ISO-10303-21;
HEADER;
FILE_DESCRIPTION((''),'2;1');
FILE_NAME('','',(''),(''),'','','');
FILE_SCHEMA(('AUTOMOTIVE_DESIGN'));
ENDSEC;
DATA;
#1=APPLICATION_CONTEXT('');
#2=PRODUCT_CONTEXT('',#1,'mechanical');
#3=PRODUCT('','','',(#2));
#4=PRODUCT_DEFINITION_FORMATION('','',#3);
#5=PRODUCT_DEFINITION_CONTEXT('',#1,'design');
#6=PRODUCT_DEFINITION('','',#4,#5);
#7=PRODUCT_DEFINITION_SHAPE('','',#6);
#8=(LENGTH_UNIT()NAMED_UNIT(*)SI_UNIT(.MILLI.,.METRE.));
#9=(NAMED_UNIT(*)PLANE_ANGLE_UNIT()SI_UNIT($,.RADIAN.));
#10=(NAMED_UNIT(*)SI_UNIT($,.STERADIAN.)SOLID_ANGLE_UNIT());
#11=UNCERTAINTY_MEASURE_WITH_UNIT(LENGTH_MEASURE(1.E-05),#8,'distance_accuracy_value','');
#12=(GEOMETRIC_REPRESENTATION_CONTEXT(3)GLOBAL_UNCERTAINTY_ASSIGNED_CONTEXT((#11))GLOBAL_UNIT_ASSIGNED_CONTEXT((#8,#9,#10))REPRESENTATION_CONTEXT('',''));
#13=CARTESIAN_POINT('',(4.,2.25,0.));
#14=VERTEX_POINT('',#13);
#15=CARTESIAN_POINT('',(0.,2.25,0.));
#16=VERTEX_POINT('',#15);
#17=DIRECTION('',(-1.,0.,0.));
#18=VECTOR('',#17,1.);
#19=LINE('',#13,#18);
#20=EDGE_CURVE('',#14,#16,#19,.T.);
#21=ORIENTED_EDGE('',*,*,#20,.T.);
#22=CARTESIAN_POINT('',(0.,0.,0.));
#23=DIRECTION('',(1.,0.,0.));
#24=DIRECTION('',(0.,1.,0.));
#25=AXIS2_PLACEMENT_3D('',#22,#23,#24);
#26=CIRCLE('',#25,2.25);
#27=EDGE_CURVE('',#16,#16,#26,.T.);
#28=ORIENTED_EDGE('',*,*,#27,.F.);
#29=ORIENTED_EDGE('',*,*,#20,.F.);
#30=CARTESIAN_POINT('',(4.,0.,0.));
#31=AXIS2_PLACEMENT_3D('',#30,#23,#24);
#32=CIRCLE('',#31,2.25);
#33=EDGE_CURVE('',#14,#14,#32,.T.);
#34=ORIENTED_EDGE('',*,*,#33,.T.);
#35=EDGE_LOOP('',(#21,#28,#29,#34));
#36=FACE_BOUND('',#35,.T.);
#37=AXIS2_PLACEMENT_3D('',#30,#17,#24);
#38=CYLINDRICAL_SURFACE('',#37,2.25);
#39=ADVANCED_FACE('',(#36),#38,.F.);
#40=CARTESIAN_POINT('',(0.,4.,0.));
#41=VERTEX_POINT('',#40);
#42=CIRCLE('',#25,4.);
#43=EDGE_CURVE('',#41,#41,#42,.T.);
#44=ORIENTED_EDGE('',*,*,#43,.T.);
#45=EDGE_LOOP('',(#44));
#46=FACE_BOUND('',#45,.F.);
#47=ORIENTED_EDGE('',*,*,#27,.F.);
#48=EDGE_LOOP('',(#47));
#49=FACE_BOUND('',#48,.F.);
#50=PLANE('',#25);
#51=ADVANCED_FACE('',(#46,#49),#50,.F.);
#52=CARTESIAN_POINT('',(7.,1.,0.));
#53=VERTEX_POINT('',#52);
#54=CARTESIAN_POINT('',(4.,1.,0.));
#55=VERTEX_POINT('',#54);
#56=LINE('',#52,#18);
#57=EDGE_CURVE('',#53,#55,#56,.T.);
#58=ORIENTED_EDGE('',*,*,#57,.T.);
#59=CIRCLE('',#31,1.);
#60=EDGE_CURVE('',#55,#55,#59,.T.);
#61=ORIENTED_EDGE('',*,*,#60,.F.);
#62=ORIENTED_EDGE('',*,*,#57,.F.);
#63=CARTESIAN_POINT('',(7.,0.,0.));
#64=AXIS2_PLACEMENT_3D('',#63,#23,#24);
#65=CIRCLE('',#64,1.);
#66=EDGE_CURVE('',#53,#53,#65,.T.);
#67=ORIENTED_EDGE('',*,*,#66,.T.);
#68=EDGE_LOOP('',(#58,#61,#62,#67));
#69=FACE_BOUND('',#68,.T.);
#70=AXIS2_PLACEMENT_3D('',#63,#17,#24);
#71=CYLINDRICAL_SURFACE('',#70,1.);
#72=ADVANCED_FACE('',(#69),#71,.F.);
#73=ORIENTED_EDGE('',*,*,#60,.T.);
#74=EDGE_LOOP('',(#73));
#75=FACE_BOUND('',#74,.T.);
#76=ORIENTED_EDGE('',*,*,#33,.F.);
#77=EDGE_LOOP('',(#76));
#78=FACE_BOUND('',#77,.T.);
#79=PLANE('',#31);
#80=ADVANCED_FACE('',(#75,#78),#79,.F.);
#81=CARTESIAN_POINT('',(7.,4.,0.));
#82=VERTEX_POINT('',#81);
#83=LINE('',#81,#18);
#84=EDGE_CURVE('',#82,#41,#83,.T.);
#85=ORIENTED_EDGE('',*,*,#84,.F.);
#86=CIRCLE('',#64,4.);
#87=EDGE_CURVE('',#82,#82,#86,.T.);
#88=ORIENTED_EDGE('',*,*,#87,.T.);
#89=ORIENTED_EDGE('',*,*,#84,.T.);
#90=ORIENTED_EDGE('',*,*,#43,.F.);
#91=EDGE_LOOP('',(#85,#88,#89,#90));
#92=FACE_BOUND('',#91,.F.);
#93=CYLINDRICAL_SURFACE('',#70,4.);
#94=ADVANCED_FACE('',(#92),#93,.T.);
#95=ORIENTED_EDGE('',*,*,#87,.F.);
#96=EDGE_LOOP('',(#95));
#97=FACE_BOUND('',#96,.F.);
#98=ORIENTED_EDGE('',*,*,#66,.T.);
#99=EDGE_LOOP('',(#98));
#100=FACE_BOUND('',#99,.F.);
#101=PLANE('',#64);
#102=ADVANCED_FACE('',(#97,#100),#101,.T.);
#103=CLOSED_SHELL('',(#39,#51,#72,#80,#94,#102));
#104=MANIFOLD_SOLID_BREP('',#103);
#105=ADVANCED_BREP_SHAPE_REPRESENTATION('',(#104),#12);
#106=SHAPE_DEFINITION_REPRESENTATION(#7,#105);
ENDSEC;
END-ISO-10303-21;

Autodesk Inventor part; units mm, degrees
ref_plane "YZ Plane" through (0, 0, 0) normal (1, 0, 0) x (0, 1, 0)
ref_plane "XZ Plane" through (0, 0, 0) normal (0, 1, 0) x (-1, 0, 0)
ref_plane "XY Plane" through (0, 0, 0) normal (0, 0, 1) x (1, 0, 0)
sketch "Sketch1" plane through (0, 0, 0) normal (0, 0, 1) x (1, 0, 0)
  line L0 (0, 0) -> (7, 0)
  line L1 (7, 0) -> (7, 4)
  line L2 (7, 4) -> (0, 4)
  line L3 (0, 4) -> (0, 0)
  line L4 (0, 0) -> (4, 0)
  line L5 (4, 0) -> (4, 2.25)
  line L6 (4, 2.25) -> (0, 2.25)
  line L7 (0, 2.25) -> (0, 0)
  line L8 (4, 0) -> (7, 0)
  line L9 (7, 0) -> (7, 1)
  line L10 (7, 1) -> (4, 1)
  line L11 (4, 1) -> (4, 0)
  dimension "d0" = 4
  dimension "d1" = 2.25
  dimension "d2" = 1
  dimension "d3" = 3
  dimension "d4" = 4
revolve "Revolution1" add sketch "Sketch1" angle 360 about axis through (0, 0, 0) along (1, 0, 0) contours L3 L2 L1 L10 L5 L6
properties part number "thread test_3DPrint"
